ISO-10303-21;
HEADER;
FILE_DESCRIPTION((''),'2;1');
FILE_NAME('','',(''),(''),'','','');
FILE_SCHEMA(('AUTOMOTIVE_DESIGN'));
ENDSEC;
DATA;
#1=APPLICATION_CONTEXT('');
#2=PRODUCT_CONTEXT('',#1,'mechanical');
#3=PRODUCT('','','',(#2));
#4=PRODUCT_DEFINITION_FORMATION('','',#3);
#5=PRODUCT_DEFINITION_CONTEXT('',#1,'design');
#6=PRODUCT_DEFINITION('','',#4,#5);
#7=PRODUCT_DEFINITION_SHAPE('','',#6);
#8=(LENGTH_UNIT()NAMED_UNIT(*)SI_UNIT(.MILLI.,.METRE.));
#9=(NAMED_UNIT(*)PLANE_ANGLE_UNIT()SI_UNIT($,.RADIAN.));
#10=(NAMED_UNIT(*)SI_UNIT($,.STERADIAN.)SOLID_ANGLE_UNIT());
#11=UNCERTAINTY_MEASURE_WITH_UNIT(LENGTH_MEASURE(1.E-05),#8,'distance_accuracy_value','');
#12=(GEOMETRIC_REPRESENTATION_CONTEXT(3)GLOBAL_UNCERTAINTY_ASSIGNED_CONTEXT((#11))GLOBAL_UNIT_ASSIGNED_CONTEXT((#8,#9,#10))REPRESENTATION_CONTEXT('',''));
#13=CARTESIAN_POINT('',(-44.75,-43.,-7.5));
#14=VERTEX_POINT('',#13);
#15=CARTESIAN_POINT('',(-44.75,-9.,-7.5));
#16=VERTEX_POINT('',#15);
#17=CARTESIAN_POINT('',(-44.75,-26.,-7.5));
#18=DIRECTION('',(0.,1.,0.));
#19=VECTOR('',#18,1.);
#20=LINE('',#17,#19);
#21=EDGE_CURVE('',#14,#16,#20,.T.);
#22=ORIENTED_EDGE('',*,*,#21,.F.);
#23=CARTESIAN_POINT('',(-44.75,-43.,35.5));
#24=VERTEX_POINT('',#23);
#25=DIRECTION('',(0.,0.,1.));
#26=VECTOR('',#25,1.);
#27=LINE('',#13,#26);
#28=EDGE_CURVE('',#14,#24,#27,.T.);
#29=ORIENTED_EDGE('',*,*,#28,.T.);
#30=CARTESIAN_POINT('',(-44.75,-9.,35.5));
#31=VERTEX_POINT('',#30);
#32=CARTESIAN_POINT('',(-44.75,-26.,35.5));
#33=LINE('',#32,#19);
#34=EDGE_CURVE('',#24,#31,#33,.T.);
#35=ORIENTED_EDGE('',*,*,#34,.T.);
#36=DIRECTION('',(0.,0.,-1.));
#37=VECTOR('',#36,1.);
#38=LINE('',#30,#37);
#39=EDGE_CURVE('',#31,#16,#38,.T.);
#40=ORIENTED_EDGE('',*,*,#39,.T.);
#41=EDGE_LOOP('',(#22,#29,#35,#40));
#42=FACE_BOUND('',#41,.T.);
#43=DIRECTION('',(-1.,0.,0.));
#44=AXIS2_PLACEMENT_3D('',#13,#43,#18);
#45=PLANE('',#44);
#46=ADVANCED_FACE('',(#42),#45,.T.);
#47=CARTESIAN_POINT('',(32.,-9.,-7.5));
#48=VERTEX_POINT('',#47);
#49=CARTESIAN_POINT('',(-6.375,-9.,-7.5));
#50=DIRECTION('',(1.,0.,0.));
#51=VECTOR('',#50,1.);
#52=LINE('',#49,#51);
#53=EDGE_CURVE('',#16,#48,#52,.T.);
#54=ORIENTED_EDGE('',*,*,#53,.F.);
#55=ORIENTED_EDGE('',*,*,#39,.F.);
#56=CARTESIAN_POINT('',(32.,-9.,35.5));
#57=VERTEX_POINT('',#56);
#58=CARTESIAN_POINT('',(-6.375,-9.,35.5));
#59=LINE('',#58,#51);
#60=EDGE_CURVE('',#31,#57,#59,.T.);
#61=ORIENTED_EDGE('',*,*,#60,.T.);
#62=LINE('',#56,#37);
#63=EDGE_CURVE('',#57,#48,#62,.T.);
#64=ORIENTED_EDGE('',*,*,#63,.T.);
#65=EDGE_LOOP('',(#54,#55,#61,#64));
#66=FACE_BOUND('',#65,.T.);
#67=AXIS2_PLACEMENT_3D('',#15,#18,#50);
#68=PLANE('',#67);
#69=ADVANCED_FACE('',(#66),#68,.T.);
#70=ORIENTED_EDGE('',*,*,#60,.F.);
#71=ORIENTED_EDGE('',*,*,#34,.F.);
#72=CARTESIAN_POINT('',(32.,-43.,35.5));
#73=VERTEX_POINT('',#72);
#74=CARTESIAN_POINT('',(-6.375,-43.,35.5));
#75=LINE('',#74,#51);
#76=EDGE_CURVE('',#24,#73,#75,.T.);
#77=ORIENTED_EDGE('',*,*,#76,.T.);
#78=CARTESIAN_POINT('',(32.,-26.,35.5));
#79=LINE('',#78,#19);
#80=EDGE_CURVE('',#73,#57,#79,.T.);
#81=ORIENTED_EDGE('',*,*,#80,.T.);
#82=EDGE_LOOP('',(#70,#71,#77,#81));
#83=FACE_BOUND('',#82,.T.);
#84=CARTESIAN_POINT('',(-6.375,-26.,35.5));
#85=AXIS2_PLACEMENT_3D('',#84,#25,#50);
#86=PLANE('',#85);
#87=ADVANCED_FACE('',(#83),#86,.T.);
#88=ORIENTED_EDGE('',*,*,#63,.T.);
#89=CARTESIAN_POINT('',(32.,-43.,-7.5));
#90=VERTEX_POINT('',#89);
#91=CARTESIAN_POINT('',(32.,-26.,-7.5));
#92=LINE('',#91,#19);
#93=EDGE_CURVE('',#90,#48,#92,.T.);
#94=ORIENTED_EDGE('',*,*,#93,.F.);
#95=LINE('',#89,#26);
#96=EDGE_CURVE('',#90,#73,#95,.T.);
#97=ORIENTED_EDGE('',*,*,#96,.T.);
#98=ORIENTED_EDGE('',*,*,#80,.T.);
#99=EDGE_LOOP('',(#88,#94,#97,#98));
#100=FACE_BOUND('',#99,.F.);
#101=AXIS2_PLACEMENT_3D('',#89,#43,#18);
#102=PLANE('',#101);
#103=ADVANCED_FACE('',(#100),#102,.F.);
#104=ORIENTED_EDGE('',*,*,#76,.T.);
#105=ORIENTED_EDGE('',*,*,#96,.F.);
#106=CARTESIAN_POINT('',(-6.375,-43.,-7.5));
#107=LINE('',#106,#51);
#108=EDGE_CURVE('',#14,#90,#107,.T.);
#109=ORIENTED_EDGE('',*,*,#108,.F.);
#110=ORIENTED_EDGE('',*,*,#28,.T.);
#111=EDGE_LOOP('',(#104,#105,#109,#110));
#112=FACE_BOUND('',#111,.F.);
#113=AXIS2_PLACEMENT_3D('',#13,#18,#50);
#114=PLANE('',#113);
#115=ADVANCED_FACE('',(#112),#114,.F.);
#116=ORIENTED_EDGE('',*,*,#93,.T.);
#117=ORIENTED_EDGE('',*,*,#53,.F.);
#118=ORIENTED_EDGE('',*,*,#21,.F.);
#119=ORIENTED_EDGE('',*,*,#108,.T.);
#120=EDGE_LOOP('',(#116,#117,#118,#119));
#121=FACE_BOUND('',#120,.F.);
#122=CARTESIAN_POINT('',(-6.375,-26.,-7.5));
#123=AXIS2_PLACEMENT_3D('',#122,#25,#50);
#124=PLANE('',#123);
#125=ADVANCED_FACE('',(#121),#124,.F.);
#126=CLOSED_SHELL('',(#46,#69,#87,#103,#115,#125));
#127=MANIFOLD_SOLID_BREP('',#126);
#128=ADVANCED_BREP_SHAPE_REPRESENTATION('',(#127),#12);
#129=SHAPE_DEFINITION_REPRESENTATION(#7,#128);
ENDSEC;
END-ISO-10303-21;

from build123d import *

# Parameters (mm, degrees)
BOX009_W     = 76.75
BOX009_H     = 34
BOX009_DEPTH = 34
BOX012_W     = 76.75
BOX012_H     = 34
BOX012_DEPTH = 43
BOX010_W     = 40
BOX010_H     = 34
BOX010_DEPTH = 34


with BuildPart() as cube009:
    # Box009 → Box009 (new body)
    with BuildSketch(Plane(origin=(-44.75, -43, -3), x_dir=(1, 0, 0), z_dir=(0, 0, 1))):
        with Locations((38.375, 17)):
            Rectangle(BOX009_W, BOX009_H)
    extrude(amount=BOX009_DEPTH)


with BuildPart() as cube012:
    # Box012 → Box012 (new body)
    with BuildSketch(Plane(origin=(-44.75, -43, -7.5), x_dir=(1, 0, 0), z_dir=(0, 0, 1))):
        with Locations((38.375, 17)):
            Rectangle(BOX012_W, BOX012_H)
    extrude(amount=BOX012_DEPTH)


with BuildPart() as hemera_pos:
    # Box010 → Box010 (new body)
    with BuildSketch(Plane(origin=(-8, -43, -3), x_dir=(1, 0, 0), z_dir=(0, 0, 1))):
        with Locations((20, 17)):
            Rectangle(BOX010_W, BOX010_H)
    extrude(amount=BOX010_DEPTH)

    # Fusion009003002004003002004004003002003: union Cube009, Cube012
    add(cube009.part)
    add(cube012.part)


solid = hemera_pos.part
